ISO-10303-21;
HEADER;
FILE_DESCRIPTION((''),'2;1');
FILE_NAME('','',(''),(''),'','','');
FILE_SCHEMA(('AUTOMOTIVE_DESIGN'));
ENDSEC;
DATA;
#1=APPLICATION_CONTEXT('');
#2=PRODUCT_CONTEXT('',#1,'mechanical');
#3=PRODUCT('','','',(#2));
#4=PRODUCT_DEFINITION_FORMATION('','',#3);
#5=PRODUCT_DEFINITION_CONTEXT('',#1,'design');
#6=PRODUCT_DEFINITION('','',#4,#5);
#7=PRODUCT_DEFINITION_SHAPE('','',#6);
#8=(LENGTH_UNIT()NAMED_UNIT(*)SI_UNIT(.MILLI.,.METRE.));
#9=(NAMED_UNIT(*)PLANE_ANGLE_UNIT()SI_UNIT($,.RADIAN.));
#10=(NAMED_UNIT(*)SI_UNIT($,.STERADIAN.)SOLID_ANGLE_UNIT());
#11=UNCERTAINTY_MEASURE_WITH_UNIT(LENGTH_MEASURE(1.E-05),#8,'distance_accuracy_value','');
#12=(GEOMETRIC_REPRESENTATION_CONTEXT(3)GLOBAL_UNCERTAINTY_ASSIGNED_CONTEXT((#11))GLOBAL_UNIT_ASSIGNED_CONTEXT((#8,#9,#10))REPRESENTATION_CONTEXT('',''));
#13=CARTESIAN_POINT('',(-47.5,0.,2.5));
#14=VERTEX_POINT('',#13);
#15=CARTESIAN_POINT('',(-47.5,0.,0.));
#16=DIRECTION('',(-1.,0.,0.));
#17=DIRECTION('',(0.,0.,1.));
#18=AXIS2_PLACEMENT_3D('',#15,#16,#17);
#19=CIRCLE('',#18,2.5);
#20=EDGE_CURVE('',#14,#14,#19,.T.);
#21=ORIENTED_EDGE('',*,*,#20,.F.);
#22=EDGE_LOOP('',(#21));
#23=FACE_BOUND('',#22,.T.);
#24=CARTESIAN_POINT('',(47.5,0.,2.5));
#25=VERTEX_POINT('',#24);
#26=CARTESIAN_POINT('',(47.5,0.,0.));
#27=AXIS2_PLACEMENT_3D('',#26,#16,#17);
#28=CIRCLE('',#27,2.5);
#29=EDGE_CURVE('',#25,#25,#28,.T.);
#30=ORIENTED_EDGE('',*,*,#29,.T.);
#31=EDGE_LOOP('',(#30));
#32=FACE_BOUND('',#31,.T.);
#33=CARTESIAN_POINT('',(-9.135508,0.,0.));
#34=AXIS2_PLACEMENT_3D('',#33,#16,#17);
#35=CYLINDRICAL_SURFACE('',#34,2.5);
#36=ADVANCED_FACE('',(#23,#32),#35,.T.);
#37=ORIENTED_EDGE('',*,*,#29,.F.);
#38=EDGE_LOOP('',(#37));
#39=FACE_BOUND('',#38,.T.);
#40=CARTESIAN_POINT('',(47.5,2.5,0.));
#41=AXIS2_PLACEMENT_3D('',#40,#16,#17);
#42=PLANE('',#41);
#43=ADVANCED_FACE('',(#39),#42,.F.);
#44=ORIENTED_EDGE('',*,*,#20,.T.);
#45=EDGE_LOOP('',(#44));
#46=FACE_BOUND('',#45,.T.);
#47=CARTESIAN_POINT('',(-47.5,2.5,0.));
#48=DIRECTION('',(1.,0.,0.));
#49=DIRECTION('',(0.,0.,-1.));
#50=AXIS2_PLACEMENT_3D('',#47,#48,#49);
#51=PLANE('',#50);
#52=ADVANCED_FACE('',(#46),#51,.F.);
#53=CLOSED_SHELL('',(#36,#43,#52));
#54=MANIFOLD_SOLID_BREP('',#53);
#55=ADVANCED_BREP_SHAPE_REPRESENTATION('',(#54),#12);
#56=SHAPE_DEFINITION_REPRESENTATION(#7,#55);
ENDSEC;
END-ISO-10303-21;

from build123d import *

# Parameters (mm, degrees)
SKETCH1_W = 95
SKETCH1_H = 2.5


with BuildPart() as part:
    # Sketch1 → Revolve1 (revolve)
    with BuildSketch(Plane.XY):
        with Locations((0, 1.25)):
            Rectangle(SKETCH1_W, SKETCH1_H)
    revolve(axis=Axis((-9.135507564, 0, 0), (1, 0, 0)))


solid = part.part
